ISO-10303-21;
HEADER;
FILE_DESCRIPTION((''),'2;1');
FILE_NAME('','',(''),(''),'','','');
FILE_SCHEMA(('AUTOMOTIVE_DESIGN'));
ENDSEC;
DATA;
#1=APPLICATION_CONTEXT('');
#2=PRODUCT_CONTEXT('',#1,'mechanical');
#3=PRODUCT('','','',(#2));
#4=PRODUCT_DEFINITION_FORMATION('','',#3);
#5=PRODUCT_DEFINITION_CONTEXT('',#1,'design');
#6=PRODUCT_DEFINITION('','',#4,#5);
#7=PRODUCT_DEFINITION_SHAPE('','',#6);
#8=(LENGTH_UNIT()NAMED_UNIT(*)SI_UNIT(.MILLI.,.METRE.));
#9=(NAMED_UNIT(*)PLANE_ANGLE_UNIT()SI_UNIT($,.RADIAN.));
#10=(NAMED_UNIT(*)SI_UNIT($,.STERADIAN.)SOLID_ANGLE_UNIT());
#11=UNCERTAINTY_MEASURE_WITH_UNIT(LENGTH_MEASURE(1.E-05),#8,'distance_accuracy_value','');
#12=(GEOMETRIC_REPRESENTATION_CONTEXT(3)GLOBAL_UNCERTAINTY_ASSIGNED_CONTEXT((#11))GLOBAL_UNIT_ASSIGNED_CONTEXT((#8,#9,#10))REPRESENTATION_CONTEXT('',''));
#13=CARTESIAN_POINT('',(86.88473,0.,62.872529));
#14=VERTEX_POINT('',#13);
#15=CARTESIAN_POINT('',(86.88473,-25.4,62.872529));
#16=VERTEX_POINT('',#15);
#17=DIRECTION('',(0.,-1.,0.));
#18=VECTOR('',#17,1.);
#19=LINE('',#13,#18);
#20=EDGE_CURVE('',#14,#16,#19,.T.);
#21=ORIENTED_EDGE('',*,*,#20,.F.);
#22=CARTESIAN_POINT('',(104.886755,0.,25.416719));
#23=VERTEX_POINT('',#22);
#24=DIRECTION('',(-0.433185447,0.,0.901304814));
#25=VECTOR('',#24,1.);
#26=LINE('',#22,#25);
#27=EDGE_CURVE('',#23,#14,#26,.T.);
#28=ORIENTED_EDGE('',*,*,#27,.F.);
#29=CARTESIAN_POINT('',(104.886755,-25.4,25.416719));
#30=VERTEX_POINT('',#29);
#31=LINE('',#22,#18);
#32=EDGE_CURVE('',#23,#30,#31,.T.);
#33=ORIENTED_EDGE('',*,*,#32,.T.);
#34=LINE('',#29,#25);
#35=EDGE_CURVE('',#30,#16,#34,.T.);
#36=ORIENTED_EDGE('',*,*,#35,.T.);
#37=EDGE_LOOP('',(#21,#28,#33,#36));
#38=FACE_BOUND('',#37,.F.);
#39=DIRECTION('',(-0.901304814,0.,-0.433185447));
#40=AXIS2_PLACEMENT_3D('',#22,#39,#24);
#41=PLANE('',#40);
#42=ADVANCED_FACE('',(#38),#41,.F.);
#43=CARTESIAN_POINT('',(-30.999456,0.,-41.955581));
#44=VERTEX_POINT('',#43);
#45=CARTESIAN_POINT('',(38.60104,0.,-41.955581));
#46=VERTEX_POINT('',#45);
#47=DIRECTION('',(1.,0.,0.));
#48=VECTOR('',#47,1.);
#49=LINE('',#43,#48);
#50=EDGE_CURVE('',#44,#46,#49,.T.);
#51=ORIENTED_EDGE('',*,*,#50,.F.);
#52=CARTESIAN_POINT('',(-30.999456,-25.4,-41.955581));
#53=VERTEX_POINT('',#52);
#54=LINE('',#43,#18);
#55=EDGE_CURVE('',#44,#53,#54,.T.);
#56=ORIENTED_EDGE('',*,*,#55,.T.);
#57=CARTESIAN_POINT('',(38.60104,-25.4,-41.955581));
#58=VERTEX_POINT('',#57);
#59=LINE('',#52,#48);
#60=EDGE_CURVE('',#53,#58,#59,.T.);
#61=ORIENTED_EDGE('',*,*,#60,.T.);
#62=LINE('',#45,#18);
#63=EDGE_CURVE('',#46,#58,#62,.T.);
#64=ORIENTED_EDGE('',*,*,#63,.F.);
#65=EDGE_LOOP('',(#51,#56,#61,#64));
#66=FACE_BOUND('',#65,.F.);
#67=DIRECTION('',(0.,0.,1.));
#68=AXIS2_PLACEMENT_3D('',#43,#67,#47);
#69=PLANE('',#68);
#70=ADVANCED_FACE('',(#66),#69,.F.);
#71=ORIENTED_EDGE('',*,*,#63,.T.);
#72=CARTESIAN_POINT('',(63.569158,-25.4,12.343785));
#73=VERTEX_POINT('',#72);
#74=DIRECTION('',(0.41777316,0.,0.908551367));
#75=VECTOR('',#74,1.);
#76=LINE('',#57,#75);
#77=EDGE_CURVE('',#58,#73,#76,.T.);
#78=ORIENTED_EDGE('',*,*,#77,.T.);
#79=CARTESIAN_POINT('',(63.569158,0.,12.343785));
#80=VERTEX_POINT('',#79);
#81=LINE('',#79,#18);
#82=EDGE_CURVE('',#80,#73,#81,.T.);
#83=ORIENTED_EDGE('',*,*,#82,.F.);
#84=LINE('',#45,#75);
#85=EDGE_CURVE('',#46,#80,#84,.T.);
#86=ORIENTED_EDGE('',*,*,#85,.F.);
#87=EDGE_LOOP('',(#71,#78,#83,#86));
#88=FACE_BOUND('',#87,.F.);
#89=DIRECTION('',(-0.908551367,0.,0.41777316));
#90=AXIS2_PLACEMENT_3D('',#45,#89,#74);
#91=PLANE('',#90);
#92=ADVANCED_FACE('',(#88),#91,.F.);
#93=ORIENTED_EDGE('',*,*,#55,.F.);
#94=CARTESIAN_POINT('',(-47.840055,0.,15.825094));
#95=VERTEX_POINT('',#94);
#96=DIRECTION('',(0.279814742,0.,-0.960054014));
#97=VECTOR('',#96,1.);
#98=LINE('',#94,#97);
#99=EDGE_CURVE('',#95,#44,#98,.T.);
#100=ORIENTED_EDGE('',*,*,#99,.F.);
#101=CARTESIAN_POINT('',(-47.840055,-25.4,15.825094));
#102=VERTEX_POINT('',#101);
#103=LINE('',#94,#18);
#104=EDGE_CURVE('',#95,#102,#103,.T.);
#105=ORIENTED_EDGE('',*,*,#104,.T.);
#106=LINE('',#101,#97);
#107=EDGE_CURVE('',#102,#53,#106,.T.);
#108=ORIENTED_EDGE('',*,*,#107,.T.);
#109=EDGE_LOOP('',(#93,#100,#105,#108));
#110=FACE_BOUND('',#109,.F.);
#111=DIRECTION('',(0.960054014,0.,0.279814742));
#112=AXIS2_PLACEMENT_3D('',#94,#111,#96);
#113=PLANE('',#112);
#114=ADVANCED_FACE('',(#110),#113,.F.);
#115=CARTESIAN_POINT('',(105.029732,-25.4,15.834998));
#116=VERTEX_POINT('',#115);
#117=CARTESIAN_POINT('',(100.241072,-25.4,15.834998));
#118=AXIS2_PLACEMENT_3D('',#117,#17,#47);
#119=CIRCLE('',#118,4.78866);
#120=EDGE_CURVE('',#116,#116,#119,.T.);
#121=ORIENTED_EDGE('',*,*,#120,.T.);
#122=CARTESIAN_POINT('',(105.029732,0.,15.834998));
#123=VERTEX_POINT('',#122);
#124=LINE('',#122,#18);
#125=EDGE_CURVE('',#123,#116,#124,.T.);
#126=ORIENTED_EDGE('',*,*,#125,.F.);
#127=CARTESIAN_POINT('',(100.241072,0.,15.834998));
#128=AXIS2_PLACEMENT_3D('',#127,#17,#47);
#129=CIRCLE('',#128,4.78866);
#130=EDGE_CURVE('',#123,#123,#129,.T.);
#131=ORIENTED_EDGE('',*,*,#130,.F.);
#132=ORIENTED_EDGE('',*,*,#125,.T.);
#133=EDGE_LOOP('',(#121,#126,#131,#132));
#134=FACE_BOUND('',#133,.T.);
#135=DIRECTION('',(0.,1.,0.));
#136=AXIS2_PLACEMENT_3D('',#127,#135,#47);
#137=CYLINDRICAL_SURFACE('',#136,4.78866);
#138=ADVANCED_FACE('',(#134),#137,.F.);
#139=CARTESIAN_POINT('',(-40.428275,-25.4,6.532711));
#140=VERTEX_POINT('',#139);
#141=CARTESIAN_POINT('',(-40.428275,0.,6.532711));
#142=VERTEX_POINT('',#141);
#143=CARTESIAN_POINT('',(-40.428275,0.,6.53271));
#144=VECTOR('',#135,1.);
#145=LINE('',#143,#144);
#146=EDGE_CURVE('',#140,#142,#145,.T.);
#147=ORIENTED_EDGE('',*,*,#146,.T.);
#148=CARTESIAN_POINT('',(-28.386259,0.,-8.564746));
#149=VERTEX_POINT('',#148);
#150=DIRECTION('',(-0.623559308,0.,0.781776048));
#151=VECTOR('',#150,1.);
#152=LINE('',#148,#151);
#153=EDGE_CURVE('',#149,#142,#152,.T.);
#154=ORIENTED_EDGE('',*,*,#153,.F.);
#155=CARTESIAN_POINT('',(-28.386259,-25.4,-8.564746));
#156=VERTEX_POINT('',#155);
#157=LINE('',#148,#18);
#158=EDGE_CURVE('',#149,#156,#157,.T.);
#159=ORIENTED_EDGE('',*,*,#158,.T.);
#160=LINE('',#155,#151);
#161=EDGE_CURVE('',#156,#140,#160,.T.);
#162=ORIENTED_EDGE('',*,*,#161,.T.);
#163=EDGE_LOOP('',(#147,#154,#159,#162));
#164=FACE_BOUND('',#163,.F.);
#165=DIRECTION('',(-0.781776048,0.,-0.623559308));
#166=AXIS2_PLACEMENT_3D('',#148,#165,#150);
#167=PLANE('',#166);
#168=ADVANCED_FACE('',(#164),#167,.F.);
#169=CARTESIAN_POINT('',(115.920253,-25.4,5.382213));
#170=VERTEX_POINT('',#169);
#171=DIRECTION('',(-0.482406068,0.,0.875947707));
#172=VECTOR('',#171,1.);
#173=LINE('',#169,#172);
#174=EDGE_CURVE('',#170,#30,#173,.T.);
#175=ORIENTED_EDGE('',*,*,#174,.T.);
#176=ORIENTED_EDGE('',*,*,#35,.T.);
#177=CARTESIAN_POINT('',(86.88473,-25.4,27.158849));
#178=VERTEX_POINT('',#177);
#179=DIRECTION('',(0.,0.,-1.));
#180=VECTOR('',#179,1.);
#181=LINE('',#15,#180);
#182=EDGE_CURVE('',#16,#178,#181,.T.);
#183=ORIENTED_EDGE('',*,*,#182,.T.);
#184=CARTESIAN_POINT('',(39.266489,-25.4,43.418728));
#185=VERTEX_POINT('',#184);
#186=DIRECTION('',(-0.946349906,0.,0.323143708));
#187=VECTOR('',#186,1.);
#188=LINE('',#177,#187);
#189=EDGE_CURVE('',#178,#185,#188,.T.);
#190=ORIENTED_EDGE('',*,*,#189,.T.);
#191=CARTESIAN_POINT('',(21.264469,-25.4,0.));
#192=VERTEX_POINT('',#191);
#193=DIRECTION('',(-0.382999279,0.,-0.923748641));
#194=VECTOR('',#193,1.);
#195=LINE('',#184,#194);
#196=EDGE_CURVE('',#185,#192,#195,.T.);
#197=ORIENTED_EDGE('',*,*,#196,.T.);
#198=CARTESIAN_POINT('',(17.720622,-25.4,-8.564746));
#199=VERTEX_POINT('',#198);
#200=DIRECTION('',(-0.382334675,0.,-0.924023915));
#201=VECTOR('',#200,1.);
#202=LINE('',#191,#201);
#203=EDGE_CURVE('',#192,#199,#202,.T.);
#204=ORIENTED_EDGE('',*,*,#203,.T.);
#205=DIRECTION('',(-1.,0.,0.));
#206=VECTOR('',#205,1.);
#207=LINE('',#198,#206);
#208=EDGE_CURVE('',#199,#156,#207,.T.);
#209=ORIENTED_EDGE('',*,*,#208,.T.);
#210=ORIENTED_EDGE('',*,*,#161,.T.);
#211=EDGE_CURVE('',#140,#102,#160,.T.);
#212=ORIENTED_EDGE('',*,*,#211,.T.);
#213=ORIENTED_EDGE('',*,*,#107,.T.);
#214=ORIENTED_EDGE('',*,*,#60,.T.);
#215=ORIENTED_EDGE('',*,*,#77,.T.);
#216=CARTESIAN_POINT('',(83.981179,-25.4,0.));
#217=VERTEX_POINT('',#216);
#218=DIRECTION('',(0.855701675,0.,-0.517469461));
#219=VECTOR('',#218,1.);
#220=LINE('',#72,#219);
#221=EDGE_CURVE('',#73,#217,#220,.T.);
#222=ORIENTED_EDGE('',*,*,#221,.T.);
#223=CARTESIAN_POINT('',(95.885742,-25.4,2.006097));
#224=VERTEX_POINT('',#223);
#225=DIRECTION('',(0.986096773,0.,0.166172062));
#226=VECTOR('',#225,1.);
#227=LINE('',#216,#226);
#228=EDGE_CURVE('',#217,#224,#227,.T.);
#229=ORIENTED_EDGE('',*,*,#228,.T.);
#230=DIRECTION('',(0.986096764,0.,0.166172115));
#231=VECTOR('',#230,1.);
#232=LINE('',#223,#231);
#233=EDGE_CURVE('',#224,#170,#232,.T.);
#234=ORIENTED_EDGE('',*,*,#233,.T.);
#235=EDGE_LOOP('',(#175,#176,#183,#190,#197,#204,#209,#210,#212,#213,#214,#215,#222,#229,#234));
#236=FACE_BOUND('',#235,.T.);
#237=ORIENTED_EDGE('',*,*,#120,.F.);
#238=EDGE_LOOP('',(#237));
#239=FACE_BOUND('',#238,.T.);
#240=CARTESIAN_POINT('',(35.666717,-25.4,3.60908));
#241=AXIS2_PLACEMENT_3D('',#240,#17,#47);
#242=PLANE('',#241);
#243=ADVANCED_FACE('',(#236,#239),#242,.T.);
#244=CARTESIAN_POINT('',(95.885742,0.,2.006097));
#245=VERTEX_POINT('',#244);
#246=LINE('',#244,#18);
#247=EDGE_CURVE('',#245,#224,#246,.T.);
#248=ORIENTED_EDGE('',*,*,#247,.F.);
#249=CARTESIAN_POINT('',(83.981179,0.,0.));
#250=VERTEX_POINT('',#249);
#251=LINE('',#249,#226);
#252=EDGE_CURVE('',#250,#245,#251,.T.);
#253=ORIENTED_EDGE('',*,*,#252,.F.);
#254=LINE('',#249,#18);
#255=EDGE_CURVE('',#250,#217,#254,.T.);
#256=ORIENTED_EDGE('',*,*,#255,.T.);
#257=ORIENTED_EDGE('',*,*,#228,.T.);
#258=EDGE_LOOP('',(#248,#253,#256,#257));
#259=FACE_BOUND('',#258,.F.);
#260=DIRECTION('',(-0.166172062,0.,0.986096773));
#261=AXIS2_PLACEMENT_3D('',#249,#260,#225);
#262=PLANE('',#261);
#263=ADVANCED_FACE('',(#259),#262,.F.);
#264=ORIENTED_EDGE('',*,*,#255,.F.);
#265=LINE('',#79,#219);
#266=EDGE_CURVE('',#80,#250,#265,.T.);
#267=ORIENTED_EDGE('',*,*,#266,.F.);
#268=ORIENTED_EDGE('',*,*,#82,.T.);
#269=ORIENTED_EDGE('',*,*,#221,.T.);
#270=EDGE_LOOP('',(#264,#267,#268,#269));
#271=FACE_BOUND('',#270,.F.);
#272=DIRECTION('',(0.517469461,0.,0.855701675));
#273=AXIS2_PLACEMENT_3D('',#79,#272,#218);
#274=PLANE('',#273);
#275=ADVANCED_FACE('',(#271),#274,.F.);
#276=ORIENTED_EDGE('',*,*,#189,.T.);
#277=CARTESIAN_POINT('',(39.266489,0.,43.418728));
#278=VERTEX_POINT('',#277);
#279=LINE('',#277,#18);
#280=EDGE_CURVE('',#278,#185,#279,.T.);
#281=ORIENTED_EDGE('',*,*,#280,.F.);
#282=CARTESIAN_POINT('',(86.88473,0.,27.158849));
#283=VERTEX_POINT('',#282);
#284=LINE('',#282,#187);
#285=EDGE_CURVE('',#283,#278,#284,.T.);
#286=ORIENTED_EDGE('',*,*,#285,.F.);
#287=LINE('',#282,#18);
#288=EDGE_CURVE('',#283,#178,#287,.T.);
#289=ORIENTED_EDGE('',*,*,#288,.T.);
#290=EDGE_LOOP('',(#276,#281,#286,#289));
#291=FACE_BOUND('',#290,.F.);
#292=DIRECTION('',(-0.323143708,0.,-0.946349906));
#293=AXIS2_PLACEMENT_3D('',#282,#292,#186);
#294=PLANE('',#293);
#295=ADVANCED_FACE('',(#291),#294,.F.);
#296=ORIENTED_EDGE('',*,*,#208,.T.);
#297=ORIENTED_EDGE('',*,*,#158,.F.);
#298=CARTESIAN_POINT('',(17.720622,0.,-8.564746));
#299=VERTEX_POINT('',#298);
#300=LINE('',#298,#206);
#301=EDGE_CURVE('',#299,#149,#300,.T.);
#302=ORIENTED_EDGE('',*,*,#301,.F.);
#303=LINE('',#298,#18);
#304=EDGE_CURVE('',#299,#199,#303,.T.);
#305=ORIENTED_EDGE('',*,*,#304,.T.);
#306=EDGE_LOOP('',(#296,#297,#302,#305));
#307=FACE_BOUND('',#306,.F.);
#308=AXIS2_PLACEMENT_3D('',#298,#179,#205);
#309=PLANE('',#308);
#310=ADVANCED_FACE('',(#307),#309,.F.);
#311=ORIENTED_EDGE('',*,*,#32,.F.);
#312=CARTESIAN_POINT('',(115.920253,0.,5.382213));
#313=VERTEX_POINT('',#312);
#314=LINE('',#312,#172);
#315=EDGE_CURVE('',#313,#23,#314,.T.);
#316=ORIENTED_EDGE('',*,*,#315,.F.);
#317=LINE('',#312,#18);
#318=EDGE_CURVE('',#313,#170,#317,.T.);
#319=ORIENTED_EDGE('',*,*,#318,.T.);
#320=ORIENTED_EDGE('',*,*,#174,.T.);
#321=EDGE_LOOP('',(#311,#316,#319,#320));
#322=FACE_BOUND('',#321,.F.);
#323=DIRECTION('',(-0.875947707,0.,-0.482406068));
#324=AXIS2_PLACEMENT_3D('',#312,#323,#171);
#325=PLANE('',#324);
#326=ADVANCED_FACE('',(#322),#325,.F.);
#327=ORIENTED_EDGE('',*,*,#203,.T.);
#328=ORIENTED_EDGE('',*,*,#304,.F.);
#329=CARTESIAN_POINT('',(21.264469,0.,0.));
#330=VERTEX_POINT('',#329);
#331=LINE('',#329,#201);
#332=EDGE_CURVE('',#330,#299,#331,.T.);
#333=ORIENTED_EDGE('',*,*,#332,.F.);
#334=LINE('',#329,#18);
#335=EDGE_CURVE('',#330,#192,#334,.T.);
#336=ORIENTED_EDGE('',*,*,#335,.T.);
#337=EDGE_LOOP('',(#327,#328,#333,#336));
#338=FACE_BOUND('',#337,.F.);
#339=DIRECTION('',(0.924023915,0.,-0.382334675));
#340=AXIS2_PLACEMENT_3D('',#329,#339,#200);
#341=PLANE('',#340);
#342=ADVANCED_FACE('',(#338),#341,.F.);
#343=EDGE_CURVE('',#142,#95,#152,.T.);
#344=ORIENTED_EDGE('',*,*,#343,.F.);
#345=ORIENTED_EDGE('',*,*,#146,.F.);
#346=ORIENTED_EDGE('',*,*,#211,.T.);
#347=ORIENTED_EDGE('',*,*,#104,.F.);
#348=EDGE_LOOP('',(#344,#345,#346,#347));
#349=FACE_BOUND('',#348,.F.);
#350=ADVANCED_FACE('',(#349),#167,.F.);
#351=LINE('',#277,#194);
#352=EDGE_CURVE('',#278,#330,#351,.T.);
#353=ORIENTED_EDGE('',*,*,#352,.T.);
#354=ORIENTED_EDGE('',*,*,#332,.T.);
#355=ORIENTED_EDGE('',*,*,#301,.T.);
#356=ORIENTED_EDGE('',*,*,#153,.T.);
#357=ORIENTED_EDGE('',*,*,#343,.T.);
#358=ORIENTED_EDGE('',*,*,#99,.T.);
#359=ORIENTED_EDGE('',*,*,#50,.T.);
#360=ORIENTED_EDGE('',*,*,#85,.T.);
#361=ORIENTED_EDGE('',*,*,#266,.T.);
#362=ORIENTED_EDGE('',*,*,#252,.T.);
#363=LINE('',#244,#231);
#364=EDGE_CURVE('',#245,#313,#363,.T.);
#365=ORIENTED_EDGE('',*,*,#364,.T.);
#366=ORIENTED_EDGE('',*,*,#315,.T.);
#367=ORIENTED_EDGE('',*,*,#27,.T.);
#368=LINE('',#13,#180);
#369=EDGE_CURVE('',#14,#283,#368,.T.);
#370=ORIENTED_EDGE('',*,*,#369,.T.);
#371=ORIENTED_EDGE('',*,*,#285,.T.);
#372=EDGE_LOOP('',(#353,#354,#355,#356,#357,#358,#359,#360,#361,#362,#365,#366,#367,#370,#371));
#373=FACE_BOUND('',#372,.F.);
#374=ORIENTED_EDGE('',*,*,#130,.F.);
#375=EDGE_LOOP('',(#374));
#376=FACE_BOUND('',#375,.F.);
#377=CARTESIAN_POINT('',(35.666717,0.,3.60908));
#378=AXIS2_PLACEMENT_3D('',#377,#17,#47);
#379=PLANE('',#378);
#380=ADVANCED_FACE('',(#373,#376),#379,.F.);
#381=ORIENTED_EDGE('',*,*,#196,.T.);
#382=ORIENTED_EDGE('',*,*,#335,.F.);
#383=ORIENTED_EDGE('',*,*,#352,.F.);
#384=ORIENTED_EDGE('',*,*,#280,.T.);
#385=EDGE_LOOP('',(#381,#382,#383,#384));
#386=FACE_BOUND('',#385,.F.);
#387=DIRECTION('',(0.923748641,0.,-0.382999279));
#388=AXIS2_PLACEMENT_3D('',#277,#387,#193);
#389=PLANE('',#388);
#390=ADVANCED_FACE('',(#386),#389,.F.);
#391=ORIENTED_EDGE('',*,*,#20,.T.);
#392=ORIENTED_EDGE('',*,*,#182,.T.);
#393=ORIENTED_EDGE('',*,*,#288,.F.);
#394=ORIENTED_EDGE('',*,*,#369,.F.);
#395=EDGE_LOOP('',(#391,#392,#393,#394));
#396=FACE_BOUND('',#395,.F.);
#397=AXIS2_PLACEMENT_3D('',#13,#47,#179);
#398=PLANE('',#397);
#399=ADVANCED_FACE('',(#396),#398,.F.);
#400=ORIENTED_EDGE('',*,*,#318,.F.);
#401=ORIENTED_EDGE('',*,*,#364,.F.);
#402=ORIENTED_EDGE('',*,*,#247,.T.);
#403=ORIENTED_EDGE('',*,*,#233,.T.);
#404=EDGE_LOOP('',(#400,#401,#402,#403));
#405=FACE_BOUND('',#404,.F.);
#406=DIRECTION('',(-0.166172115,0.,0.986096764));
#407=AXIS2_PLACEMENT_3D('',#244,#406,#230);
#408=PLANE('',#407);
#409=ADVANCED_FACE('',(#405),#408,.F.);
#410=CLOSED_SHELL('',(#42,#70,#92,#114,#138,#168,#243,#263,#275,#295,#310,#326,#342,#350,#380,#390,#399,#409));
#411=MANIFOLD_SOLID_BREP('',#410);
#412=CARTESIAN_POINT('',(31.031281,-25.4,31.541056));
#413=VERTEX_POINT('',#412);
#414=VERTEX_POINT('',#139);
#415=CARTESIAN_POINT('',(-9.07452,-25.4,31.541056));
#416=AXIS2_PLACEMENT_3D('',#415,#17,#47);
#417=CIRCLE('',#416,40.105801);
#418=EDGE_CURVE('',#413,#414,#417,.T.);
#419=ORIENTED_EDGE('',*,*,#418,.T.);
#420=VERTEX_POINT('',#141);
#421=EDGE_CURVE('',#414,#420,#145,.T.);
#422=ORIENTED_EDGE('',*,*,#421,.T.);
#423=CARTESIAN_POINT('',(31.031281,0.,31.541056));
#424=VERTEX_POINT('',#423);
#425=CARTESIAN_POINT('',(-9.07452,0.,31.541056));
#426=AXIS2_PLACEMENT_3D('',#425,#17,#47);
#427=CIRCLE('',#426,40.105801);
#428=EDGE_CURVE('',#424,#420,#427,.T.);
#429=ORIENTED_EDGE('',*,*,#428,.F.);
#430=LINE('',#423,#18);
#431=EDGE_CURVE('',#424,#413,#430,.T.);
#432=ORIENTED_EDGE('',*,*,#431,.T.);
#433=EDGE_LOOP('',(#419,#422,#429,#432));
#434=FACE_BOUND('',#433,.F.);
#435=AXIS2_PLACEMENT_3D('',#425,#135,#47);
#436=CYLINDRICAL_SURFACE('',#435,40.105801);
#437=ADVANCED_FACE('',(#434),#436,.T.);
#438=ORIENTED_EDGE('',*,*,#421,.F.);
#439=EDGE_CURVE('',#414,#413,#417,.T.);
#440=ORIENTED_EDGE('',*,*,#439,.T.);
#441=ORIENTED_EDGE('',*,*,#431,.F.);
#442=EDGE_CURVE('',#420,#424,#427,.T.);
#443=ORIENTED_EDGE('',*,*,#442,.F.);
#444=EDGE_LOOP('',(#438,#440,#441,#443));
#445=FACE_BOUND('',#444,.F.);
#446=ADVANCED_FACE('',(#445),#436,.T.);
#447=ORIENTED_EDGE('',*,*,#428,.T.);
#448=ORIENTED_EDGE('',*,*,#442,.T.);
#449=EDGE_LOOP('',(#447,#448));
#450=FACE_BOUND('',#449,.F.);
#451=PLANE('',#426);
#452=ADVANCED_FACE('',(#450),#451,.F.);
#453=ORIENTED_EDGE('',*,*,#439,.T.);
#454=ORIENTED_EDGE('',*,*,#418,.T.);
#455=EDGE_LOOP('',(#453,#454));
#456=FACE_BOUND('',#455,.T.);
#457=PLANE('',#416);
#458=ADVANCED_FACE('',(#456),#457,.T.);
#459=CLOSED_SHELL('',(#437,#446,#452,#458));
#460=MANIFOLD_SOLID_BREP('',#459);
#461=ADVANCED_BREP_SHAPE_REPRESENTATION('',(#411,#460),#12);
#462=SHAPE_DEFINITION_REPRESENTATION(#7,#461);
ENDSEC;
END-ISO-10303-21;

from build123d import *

# Parameters (mm, degrees)
F0_R     = 4.78866
F1_R     = 40.105801
F2_DEPTH = 25.4


with BuildPart() as f2:
    # F0 (on Front) + F1 (on Front) → F2 (new body)
    with BuildSketch(Plane.XZ):
        Polygon((38.60104, -41.955581), (63.569158, 12.343785), (83.981179, 0), (95.885742, 2.006097), (115.920253, 5.382213), (104.886755, 25.416719), (86.88473, 62.872529), (86.88473, 27.158849), (39.266489, 43.418728), (21.264469, 0), (17.720622, -8.564746), (-28.386259, -8.564746), (-47.840055, 15.825094), (-30.999456, -41.955581), align=None)
        with Locations((100.241072, 15.834998)):
            Circle(F0_R, mode=Mode.SUBTRACT)
    with BuildSketch(Plane.XZ):
        with Locations((-9.07452, 31.541056)):
            Circle(F1_R)
    extrude(amount=F2_DEPTH)


solid = f2.part
